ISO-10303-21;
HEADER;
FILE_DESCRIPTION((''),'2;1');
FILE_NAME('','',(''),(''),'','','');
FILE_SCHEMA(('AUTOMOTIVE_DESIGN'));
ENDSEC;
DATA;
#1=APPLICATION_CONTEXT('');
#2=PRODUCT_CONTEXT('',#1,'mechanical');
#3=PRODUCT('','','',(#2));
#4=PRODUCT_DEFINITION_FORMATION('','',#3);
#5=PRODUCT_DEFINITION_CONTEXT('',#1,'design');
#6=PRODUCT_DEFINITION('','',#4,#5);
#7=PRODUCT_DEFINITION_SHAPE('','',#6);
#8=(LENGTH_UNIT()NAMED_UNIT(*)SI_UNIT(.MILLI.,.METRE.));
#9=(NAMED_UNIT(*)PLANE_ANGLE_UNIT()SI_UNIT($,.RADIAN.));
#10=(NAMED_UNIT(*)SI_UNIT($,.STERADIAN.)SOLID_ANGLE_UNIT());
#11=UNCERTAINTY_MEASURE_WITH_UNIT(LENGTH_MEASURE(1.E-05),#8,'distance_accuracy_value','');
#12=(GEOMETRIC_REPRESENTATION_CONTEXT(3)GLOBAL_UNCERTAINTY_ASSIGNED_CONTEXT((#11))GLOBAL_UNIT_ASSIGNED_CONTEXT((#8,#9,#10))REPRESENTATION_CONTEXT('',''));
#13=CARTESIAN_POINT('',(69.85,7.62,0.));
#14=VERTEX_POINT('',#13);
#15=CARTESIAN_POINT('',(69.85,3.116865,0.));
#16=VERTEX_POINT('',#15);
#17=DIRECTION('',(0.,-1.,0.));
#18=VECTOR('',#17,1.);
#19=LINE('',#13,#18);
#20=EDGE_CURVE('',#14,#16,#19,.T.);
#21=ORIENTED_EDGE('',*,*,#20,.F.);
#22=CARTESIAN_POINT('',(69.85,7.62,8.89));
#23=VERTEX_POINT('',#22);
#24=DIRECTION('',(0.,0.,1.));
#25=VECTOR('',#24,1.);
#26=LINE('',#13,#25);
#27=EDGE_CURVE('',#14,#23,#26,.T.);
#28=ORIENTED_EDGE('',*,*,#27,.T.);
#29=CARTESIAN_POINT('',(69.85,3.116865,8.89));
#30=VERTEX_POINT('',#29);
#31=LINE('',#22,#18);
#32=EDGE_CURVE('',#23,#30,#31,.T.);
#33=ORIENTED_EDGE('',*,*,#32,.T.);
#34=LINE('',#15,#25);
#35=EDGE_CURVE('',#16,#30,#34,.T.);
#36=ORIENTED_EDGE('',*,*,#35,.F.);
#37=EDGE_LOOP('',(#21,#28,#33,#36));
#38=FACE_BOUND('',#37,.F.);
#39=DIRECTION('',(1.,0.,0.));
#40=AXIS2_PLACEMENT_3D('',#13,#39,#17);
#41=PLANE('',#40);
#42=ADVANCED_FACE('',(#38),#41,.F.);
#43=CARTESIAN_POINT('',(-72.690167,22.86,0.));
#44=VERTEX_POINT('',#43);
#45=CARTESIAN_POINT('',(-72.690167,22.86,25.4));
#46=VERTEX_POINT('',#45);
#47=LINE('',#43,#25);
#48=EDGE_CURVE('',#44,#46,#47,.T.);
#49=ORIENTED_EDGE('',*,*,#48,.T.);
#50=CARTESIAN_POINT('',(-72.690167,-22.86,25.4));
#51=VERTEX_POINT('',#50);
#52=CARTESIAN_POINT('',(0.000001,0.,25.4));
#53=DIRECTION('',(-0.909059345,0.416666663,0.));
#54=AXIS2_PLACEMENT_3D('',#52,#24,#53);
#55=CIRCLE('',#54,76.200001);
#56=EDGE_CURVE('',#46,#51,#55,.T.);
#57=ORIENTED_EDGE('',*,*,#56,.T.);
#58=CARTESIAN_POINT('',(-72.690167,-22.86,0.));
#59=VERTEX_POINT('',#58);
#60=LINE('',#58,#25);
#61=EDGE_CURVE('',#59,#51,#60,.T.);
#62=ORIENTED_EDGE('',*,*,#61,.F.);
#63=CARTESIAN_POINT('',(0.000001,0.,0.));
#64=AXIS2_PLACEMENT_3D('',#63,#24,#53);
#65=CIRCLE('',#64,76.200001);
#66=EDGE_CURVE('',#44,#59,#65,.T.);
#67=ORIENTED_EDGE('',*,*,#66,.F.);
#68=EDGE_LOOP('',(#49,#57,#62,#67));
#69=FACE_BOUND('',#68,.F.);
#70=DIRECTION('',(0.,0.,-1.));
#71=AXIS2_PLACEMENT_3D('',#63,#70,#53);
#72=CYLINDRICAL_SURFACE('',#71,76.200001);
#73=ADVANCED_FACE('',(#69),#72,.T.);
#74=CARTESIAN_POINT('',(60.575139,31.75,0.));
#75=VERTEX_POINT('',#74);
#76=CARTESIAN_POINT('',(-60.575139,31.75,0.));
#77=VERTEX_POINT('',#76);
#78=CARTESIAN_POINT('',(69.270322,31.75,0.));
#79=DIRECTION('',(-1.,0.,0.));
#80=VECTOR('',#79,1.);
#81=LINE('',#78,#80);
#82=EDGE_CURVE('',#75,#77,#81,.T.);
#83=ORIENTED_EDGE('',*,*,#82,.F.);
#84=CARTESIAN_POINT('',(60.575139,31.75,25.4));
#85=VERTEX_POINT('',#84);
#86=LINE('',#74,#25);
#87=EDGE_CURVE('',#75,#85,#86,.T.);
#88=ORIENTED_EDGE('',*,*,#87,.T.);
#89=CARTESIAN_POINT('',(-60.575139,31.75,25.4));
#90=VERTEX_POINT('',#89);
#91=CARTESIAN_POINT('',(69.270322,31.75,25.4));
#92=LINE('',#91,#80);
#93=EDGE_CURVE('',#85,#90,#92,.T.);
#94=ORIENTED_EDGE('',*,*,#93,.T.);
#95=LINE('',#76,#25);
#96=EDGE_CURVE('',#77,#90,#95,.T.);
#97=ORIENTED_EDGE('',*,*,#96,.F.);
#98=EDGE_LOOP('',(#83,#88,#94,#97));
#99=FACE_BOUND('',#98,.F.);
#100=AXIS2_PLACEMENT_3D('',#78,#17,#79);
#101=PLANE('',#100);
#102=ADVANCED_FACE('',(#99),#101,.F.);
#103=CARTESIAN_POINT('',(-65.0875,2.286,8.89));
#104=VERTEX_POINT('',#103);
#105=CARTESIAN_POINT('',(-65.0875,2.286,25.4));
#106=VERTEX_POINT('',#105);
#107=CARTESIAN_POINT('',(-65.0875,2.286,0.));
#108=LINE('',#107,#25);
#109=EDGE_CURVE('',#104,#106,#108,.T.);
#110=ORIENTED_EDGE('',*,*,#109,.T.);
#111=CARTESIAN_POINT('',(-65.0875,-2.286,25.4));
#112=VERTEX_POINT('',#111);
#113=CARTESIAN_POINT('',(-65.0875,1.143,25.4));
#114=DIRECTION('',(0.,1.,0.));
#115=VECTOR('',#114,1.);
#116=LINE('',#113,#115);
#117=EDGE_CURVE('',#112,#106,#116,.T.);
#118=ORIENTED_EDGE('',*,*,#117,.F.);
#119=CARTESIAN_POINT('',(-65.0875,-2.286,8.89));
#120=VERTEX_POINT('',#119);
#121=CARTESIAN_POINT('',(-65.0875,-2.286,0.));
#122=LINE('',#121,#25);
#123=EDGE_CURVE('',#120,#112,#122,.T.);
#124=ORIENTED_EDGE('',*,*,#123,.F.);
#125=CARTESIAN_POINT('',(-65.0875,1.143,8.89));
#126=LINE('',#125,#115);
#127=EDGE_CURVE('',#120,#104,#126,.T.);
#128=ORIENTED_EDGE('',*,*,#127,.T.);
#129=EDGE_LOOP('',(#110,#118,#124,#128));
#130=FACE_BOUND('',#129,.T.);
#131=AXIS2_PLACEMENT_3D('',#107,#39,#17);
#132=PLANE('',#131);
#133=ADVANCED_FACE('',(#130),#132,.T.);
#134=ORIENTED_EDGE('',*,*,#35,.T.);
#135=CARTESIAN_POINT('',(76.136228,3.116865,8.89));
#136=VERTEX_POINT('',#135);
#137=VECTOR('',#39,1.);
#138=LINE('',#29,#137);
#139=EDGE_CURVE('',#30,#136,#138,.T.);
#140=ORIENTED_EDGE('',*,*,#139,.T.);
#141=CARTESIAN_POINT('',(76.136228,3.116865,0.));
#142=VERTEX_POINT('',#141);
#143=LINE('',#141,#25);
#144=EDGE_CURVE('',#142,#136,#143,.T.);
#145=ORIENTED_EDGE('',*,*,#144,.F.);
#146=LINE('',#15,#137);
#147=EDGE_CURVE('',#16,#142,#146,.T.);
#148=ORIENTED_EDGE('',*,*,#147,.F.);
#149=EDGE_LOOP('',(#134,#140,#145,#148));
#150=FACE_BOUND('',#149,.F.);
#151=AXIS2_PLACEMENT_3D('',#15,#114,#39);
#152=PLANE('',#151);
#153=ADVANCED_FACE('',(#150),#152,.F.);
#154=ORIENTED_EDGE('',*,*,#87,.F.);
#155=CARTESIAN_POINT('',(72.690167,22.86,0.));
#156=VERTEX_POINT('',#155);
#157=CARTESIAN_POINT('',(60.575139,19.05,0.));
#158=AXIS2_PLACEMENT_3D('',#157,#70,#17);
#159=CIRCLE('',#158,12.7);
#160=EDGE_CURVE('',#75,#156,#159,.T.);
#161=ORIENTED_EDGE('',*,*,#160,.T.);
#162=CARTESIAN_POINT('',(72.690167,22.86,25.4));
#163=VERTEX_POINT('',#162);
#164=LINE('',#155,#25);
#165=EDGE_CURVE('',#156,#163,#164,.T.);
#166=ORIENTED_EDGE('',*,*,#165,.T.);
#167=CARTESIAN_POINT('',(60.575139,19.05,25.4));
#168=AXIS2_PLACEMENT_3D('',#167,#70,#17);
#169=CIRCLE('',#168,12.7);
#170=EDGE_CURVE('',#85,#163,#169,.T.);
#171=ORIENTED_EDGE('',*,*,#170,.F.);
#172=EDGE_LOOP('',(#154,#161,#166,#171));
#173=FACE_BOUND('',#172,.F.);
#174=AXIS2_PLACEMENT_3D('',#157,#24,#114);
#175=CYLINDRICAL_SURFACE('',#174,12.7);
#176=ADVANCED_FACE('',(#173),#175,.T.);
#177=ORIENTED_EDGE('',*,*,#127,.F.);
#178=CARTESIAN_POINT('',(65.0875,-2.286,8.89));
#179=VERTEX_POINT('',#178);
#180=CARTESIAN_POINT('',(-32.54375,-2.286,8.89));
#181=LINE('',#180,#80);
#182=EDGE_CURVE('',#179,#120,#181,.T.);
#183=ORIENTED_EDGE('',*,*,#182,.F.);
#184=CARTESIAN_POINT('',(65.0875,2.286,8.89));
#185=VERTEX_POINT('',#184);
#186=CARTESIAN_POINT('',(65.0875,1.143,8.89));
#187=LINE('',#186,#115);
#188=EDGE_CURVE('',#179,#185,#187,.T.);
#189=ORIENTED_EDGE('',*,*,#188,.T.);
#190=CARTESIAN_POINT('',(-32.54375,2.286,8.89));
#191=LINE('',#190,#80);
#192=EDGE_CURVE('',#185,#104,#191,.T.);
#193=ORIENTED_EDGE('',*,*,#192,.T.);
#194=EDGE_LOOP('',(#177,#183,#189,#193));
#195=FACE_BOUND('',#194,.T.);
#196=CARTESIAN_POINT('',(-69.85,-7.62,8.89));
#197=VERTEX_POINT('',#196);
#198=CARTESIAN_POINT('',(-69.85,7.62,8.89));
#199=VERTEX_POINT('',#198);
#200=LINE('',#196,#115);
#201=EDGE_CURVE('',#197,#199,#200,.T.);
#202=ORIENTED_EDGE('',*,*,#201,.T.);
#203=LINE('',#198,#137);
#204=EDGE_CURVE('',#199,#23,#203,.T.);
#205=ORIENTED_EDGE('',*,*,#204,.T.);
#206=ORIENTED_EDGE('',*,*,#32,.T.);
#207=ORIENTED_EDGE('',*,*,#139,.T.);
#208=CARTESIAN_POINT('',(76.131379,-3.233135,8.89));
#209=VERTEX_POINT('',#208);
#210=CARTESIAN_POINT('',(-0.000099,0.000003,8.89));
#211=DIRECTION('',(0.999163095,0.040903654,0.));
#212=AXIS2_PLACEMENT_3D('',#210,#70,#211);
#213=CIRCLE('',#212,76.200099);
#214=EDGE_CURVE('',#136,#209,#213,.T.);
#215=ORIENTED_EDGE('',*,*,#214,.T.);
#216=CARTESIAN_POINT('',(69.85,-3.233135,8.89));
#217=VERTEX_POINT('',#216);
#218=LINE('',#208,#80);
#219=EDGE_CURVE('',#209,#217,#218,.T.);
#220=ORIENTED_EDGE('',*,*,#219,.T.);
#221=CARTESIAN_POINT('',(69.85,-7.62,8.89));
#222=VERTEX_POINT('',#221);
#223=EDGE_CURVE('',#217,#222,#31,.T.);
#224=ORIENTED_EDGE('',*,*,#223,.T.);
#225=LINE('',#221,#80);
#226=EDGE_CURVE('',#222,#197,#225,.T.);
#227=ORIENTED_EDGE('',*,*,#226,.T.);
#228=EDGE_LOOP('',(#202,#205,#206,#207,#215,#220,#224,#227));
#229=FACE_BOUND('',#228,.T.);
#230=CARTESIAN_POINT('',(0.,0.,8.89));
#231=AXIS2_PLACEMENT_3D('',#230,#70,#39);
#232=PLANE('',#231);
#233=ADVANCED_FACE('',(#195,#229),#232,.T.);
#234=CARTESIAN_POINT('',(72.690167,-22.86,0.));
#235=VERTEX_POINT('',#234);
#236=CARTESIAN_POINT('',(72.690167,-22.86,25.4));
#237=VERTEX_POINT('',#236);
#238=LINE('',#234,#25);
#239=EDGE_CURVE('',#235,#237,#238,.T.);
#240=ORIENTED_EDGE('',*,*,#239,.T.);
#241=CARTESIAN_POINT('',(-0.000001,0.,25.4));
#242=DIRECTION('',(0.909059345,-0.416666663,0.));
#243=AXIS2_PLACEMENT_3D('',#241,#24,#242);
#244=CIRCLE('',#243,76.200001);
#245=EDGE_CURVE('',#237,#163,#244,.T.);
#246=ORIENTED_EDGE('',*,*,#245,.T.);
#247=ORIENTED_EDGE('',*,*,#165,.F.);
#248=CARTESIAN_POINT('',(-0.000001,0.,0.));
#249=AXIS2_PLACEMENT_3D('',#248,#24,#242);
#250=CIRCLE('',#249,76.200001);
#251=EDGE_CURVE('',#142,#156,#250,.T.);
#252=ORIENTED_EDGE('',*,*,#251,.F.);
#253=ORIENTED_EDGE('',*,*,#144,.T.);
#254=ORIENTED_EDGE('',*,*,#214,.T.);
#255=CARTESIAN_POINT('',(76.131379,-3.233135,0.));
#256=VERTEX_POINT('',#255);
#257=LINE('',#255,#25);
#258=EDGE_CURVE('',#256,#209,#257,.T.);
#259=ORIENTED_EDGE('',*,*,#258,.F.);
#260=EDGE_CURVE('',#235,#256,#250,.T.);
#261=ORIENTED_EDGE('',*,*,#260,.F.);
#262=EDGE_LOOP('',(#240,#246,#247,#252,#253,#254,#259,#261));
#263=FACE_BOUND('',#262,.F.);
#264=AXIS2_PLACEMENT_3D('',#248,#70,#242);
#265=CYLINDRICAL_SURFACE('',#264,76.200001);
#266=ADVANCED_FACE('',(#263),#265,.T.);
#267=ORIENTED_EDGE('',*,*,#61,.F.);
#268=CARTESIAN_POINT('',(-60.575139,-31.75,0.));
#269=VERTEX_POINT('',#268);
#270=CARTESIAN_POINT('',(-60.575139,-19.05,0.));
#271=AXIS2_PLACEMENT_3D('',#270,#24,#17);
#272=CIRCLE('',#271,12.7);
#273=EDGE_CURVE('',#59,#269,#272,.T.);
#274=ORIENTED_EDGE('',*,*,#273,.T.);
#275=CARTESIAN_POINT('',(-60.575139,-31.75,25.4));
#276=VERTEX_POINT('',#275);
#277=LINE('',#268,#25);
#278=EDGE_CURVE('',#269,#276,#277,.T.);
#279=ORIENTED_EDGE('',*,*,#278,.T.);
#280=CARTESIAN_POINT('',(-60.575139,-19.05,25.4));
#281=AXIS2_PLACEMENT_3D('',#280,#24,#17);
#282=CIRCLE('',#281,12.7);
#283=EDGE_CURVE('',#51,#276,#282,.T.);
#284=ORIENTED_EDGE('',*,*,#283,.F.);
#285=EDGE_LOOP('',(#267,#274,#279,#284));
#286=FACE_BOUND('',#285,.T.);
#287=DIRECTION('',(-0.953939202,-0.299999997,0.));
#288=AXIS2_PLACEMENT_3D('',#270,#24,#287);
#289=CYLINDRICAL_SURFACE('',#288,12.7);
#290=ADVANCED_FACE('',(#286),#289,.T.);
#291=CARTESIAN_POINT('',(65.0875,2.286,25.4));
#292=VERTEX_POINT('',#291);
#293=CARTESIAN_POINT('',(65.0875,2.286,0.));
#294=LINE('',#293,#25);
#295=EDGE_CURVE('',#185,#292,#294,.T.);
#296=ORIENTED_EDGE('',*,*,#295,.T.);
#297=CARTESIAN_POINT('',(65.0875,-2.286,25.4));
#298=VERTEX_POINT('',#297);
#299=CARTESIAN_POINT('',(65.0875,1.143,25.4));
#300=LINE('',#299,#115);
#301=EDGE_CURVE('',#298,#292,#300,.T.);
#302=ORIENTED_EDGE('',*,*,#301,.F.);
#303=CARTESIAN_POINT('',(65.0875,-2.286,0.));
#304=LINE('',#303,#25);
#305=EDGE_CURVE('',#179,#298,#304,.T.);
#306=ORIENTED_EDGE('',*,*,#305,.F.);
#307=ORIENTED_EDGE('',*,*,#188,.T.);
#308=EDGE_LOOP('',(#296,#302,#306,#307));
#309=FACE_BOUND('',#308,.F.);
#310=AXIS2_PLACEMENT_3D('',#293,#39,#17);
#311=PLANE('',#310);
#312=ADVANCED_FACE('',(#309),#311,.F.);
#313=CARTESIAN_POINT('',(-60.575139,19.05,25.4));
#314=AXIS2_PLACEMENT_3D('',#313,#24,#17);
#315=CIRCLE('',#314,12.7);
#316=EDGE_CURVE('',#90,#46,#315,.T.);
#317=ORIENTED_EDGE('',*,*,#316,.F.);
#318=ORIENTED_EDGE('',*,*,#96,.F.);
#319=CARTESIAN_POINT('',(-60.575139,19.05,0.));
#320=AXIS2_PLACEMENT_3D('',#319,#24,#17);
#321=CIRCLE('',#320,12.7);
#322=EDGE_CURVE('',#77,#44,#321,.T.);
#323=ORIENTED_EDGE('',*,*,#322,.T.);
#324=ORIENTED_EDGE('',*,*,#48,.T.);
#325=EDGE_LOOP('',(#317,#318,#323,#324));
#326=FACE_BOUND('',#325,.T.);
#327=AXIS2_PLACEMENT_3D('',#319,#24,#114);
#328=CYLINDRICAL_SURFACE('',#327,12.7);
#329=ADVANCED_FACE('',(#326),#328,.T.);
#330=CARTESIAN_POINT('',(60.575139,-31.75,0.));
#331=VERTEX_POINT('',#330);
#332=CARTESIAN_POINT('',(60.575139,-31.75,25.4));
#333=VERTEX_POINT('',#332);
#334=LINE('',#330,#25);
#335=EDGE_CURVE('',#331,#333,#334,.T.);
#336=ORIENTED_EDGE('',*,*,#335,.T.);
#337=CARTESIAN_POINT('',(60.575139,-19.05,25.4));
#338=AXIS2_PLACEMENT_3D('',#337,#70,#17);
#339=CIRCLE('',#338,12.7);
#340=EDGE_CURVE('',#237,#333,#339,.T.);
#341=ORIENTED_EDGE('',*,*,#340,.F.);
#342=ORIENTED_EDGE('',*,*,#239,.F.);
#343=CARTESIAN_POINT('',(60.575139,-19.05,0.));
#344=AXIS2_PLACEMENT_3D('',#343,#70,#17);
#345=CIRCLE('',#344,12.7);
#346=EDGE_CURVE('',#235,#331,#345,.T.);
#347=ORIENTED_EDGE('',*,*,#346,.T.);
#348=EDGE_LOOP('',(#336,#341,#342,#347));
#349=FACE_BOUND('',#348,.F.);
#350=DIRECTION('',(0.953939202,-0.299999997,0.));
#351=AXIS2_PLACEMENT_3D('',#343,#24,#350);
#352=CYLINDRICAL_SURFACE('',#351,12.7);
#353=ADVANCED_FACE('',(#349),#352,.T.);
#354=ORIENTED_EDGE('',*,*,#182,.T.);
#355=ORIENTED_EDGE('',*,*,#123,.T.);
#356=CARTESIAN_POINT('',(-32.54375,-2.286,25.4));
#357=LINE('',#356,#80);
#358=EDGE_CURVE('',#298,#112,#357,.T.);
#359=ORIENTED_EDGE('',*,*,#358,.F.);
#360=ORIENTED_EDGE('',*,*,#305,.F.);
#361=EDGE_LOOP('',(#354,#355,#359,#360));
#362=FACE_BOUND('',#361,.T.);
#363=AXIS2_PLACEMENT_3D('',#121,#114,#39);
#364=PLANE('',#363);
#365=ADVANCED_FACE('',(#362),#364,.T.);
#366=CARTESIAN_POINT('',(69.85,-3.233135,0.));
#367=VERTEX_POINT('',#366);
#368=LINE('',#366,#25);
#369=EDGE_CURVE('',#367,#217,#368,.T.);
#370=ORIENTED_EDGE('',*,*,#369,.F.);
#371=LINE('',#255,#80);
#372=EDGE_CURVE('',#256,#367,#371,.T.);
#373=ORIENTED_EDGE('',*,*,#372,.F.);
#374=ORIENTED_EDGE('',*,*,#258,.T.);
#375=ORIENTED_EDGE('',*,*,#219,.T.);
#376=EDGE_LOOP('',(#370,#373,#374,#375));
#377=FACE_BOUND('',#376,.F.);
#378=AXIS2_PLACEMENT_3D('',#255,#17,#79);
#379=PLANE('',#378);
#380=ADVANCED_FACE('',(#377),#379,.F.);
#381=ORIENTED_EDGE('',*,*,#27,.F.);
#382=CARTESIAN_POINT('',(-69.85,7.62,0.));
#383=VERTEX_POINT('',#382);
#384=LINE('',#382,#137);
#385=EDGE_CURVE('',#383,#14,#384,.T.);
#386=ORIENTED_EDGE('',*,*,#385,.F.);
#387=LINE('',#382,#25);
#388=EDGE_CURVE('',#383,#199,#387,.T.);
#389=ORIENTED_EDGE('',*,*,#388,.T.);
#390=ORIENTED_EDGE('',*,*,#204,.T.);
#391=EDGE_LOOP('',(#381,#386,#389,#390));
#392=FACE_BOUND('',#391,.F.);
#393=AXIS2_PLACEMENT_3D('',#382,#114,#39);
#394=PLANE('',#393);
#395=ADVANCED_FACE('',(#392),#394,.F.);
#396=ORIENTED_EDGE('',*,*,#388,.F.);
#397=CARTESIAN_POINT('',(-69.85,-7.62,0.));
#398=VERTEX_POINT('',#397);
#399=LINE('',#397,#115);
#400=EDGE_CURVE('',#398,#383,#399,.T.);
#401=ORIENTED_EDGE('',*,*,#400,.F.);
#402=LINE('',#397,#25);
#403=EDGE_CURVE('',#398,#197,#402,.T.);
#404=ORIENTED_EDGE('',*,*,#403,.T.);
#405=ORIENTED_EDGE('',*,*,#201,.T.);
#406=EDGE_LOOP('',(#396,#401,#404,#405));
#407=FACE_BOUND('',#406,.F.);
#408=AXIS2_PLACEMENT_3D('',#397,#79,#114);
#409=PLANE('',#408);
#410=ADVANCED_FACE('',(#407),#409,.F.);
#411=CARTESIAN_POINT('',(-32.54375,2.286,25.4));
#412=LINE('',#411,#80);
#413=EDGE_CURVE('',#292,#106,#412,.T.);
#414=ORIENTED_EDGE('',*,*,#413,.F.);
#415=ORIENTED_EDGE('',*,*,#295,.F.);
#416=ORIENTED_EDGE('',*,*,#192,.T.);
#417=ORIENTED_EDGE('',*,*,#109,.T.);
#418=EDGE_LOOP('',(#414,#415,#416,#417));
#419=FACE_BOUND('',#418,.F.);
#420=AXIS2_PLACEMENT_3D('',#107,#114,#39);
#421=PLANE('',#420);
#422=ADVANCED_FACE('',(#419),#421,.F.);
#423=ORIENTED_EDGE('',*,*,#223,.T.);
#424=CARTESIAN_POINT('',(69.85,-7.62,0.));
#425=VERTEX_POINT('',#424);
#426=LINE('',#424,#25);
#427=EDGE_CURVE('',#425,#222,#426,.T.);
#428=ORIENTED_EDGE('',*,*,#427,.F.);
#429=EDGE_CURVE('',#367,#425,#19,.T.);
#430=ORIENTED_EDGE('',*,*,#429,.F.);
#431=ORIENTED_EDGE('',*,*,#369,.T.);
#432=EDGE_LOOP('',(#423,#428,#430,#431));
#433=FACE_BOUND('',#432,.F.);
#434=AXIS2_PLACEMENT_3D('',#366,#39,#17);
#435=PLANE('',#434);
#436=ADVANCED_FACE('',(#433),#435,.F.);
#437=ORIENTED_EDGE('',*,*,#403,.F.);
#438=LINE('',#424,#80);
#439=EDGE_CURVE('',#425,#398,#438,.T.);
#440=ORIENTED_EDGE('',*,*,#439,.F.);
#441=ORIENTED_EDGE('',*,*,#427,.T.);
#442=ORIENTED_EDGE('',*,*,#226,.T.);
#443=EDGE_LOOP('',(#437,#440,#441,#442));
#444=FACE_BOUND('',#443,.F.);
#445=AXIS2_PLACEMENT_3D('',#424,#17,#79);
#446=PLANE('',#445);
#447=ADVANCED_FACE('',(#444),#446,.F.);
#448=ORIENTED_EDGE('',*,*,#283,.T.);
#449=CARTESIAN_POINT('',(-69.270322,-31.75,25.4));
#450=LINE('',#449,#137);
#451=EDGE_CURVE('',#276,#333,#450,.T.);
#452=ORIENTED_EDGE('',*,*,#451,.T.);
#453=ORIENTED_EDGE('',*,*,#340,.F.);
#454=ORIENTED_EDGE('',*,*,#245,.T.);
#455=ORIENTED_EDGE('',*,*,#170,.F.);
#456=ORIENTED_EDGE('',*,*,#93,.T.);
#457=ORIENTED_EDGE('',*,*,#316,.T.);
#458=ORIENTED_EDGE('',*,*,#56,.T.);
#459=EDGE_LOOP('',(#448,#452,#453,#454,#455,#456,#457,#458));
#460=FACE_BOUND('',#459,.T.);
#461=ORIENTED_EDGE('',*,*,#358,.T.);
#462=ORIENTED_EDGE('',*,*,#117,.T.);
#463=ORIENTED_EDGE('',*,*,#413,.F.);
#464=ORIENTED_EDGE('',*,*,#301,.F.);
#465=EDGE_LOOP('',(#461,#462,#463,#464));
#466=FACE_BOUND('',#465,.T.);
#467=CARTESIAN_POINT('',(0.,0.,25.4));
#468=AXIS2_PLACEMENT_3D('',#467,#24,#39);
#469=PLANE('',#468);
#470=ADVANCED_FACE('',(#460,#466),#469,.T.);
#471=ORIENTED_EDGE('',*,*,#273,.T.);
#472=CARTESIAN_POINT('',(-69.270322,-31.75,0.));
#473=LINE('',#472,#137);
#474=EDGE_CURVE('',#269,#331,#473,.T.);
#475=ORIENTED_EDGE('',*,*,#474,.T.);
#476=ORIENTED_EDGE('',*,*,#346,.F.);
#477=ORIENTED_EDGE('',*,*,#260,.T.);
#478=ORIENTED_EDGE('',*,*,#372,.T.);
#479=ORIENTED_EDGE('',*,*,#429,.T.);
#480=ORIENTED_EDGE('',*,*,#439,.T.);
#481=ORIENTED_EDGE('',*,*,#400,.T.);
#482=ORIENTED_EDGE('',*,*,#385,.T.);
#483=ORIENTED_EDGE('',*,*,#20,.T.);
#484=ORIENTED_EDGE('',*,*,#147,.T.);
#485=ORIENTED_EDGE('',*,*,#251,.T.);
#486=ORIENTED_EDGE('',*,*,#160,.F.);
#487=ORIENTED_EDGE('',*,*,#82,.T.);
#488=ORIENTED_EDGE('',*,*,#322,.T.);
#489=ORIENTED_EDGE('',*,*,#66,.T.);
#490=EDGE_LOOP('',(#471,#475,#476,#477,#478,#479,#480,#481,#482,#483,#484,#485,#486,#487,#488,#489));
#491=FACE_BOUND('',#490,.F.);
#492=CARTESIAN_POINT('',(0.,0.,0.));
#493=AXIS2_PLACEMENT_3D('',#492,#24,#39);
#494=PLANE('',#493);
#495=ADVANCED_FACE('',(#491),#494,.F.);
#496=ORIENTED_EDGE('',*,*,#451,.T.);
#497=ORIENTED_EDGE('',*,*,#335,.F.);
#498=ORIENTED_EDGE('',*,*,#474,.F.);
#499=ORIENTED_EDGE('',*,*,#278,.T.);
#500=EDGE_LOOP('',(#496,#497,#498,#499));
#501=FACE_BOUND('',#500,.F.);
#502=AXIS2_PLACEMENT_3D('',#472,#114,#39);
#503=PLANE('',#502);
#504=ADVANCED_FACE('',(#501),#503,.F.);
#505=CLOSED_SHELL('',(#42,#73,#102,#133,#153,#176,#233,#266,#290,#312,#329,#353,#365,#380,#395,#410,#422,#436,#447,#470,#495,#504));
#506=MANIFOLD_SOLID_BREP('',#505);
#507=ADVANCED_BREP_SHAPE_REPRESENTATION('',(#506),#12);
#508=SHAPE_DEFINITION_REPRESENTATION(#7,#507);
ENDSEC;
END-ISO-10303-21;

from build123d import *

# Parameters (mm, degrees)
F1_DEPTH = 25.4
F2_W     = 130.175
F2_H     = 4.572
F3_DEPTH = 25.401
F5_DEPTH = 8.89
F6_R     = 12.7


with BuildPart() as f1:
    # F0 (on Top) → F1 (new body)
    with BuildSketch(Plane.XY):
        with BuildLine():
            Line((69.270322, 31.75), (-69.270322, 31.75))
            ThreePointArc((-69.270322, 31.75), (-76.2, 0), (-69.270322, -31.75))
            Line((-69.270322, -31.75), (69.270322, -31.75))
            ThreePointArc((69.270322, -31.75), (76.2, 0), (69.270322, 31.75))
        make_face()
    extrude(amount=F1_DEPTH)

    # F2 (on face) → F3 (cut, through all)
    with BuildSketch(Plane(origin=(0, 0, 0), x_dir=(1, 0, 0), z_dir=(0, 0, -1))):
        Rectangle(F2_W, F2_H)
    extrude(amount=-F3_DEPTH, mode=Mode.SUBTRACT)

    # F4 (on face) → F5 (cut)
    with BuildSketch(Plane(origin=(0, 0, 0), x_dir=(1, 0, 0), z_dir=(0, 0, -1))):
        Polygon((69.85, 7.62), (-69.85, 7.62), (-69.85, -7.62), (69.85, -7.62), (69.85, -3.116865), (69.85, 3.233135), align=None)
        with BuildLine():
            Line((76.131379, 3.233135), (69.85, 3.233135))
            Line((69.85, 3.233135), (69.85, -3.116865))
            Line((69.85, -3.116865), (76.136228, -3.116865))
            ThreePointArc((76.136228, -3.116865), (76.199978, 0.058186), (76.131379, 3.233135))
        make_face()
    extrude(amount=-F5_DEPTH, mode=Mode.SUBTRACT)

    # F6
    f6_edges = [f1.edges().sort_by_distance(p)[0] for p in [
        (69.270322, -31.75, 12.7),
        (69.270322, 31.75, 12.7),
        (-69.270322, -31.75, 12.7),
        (-69.270322, 31.75, 12.7),
    ]]
    fillet(f6_edges, radius=F6_R)


solid = f1.part
